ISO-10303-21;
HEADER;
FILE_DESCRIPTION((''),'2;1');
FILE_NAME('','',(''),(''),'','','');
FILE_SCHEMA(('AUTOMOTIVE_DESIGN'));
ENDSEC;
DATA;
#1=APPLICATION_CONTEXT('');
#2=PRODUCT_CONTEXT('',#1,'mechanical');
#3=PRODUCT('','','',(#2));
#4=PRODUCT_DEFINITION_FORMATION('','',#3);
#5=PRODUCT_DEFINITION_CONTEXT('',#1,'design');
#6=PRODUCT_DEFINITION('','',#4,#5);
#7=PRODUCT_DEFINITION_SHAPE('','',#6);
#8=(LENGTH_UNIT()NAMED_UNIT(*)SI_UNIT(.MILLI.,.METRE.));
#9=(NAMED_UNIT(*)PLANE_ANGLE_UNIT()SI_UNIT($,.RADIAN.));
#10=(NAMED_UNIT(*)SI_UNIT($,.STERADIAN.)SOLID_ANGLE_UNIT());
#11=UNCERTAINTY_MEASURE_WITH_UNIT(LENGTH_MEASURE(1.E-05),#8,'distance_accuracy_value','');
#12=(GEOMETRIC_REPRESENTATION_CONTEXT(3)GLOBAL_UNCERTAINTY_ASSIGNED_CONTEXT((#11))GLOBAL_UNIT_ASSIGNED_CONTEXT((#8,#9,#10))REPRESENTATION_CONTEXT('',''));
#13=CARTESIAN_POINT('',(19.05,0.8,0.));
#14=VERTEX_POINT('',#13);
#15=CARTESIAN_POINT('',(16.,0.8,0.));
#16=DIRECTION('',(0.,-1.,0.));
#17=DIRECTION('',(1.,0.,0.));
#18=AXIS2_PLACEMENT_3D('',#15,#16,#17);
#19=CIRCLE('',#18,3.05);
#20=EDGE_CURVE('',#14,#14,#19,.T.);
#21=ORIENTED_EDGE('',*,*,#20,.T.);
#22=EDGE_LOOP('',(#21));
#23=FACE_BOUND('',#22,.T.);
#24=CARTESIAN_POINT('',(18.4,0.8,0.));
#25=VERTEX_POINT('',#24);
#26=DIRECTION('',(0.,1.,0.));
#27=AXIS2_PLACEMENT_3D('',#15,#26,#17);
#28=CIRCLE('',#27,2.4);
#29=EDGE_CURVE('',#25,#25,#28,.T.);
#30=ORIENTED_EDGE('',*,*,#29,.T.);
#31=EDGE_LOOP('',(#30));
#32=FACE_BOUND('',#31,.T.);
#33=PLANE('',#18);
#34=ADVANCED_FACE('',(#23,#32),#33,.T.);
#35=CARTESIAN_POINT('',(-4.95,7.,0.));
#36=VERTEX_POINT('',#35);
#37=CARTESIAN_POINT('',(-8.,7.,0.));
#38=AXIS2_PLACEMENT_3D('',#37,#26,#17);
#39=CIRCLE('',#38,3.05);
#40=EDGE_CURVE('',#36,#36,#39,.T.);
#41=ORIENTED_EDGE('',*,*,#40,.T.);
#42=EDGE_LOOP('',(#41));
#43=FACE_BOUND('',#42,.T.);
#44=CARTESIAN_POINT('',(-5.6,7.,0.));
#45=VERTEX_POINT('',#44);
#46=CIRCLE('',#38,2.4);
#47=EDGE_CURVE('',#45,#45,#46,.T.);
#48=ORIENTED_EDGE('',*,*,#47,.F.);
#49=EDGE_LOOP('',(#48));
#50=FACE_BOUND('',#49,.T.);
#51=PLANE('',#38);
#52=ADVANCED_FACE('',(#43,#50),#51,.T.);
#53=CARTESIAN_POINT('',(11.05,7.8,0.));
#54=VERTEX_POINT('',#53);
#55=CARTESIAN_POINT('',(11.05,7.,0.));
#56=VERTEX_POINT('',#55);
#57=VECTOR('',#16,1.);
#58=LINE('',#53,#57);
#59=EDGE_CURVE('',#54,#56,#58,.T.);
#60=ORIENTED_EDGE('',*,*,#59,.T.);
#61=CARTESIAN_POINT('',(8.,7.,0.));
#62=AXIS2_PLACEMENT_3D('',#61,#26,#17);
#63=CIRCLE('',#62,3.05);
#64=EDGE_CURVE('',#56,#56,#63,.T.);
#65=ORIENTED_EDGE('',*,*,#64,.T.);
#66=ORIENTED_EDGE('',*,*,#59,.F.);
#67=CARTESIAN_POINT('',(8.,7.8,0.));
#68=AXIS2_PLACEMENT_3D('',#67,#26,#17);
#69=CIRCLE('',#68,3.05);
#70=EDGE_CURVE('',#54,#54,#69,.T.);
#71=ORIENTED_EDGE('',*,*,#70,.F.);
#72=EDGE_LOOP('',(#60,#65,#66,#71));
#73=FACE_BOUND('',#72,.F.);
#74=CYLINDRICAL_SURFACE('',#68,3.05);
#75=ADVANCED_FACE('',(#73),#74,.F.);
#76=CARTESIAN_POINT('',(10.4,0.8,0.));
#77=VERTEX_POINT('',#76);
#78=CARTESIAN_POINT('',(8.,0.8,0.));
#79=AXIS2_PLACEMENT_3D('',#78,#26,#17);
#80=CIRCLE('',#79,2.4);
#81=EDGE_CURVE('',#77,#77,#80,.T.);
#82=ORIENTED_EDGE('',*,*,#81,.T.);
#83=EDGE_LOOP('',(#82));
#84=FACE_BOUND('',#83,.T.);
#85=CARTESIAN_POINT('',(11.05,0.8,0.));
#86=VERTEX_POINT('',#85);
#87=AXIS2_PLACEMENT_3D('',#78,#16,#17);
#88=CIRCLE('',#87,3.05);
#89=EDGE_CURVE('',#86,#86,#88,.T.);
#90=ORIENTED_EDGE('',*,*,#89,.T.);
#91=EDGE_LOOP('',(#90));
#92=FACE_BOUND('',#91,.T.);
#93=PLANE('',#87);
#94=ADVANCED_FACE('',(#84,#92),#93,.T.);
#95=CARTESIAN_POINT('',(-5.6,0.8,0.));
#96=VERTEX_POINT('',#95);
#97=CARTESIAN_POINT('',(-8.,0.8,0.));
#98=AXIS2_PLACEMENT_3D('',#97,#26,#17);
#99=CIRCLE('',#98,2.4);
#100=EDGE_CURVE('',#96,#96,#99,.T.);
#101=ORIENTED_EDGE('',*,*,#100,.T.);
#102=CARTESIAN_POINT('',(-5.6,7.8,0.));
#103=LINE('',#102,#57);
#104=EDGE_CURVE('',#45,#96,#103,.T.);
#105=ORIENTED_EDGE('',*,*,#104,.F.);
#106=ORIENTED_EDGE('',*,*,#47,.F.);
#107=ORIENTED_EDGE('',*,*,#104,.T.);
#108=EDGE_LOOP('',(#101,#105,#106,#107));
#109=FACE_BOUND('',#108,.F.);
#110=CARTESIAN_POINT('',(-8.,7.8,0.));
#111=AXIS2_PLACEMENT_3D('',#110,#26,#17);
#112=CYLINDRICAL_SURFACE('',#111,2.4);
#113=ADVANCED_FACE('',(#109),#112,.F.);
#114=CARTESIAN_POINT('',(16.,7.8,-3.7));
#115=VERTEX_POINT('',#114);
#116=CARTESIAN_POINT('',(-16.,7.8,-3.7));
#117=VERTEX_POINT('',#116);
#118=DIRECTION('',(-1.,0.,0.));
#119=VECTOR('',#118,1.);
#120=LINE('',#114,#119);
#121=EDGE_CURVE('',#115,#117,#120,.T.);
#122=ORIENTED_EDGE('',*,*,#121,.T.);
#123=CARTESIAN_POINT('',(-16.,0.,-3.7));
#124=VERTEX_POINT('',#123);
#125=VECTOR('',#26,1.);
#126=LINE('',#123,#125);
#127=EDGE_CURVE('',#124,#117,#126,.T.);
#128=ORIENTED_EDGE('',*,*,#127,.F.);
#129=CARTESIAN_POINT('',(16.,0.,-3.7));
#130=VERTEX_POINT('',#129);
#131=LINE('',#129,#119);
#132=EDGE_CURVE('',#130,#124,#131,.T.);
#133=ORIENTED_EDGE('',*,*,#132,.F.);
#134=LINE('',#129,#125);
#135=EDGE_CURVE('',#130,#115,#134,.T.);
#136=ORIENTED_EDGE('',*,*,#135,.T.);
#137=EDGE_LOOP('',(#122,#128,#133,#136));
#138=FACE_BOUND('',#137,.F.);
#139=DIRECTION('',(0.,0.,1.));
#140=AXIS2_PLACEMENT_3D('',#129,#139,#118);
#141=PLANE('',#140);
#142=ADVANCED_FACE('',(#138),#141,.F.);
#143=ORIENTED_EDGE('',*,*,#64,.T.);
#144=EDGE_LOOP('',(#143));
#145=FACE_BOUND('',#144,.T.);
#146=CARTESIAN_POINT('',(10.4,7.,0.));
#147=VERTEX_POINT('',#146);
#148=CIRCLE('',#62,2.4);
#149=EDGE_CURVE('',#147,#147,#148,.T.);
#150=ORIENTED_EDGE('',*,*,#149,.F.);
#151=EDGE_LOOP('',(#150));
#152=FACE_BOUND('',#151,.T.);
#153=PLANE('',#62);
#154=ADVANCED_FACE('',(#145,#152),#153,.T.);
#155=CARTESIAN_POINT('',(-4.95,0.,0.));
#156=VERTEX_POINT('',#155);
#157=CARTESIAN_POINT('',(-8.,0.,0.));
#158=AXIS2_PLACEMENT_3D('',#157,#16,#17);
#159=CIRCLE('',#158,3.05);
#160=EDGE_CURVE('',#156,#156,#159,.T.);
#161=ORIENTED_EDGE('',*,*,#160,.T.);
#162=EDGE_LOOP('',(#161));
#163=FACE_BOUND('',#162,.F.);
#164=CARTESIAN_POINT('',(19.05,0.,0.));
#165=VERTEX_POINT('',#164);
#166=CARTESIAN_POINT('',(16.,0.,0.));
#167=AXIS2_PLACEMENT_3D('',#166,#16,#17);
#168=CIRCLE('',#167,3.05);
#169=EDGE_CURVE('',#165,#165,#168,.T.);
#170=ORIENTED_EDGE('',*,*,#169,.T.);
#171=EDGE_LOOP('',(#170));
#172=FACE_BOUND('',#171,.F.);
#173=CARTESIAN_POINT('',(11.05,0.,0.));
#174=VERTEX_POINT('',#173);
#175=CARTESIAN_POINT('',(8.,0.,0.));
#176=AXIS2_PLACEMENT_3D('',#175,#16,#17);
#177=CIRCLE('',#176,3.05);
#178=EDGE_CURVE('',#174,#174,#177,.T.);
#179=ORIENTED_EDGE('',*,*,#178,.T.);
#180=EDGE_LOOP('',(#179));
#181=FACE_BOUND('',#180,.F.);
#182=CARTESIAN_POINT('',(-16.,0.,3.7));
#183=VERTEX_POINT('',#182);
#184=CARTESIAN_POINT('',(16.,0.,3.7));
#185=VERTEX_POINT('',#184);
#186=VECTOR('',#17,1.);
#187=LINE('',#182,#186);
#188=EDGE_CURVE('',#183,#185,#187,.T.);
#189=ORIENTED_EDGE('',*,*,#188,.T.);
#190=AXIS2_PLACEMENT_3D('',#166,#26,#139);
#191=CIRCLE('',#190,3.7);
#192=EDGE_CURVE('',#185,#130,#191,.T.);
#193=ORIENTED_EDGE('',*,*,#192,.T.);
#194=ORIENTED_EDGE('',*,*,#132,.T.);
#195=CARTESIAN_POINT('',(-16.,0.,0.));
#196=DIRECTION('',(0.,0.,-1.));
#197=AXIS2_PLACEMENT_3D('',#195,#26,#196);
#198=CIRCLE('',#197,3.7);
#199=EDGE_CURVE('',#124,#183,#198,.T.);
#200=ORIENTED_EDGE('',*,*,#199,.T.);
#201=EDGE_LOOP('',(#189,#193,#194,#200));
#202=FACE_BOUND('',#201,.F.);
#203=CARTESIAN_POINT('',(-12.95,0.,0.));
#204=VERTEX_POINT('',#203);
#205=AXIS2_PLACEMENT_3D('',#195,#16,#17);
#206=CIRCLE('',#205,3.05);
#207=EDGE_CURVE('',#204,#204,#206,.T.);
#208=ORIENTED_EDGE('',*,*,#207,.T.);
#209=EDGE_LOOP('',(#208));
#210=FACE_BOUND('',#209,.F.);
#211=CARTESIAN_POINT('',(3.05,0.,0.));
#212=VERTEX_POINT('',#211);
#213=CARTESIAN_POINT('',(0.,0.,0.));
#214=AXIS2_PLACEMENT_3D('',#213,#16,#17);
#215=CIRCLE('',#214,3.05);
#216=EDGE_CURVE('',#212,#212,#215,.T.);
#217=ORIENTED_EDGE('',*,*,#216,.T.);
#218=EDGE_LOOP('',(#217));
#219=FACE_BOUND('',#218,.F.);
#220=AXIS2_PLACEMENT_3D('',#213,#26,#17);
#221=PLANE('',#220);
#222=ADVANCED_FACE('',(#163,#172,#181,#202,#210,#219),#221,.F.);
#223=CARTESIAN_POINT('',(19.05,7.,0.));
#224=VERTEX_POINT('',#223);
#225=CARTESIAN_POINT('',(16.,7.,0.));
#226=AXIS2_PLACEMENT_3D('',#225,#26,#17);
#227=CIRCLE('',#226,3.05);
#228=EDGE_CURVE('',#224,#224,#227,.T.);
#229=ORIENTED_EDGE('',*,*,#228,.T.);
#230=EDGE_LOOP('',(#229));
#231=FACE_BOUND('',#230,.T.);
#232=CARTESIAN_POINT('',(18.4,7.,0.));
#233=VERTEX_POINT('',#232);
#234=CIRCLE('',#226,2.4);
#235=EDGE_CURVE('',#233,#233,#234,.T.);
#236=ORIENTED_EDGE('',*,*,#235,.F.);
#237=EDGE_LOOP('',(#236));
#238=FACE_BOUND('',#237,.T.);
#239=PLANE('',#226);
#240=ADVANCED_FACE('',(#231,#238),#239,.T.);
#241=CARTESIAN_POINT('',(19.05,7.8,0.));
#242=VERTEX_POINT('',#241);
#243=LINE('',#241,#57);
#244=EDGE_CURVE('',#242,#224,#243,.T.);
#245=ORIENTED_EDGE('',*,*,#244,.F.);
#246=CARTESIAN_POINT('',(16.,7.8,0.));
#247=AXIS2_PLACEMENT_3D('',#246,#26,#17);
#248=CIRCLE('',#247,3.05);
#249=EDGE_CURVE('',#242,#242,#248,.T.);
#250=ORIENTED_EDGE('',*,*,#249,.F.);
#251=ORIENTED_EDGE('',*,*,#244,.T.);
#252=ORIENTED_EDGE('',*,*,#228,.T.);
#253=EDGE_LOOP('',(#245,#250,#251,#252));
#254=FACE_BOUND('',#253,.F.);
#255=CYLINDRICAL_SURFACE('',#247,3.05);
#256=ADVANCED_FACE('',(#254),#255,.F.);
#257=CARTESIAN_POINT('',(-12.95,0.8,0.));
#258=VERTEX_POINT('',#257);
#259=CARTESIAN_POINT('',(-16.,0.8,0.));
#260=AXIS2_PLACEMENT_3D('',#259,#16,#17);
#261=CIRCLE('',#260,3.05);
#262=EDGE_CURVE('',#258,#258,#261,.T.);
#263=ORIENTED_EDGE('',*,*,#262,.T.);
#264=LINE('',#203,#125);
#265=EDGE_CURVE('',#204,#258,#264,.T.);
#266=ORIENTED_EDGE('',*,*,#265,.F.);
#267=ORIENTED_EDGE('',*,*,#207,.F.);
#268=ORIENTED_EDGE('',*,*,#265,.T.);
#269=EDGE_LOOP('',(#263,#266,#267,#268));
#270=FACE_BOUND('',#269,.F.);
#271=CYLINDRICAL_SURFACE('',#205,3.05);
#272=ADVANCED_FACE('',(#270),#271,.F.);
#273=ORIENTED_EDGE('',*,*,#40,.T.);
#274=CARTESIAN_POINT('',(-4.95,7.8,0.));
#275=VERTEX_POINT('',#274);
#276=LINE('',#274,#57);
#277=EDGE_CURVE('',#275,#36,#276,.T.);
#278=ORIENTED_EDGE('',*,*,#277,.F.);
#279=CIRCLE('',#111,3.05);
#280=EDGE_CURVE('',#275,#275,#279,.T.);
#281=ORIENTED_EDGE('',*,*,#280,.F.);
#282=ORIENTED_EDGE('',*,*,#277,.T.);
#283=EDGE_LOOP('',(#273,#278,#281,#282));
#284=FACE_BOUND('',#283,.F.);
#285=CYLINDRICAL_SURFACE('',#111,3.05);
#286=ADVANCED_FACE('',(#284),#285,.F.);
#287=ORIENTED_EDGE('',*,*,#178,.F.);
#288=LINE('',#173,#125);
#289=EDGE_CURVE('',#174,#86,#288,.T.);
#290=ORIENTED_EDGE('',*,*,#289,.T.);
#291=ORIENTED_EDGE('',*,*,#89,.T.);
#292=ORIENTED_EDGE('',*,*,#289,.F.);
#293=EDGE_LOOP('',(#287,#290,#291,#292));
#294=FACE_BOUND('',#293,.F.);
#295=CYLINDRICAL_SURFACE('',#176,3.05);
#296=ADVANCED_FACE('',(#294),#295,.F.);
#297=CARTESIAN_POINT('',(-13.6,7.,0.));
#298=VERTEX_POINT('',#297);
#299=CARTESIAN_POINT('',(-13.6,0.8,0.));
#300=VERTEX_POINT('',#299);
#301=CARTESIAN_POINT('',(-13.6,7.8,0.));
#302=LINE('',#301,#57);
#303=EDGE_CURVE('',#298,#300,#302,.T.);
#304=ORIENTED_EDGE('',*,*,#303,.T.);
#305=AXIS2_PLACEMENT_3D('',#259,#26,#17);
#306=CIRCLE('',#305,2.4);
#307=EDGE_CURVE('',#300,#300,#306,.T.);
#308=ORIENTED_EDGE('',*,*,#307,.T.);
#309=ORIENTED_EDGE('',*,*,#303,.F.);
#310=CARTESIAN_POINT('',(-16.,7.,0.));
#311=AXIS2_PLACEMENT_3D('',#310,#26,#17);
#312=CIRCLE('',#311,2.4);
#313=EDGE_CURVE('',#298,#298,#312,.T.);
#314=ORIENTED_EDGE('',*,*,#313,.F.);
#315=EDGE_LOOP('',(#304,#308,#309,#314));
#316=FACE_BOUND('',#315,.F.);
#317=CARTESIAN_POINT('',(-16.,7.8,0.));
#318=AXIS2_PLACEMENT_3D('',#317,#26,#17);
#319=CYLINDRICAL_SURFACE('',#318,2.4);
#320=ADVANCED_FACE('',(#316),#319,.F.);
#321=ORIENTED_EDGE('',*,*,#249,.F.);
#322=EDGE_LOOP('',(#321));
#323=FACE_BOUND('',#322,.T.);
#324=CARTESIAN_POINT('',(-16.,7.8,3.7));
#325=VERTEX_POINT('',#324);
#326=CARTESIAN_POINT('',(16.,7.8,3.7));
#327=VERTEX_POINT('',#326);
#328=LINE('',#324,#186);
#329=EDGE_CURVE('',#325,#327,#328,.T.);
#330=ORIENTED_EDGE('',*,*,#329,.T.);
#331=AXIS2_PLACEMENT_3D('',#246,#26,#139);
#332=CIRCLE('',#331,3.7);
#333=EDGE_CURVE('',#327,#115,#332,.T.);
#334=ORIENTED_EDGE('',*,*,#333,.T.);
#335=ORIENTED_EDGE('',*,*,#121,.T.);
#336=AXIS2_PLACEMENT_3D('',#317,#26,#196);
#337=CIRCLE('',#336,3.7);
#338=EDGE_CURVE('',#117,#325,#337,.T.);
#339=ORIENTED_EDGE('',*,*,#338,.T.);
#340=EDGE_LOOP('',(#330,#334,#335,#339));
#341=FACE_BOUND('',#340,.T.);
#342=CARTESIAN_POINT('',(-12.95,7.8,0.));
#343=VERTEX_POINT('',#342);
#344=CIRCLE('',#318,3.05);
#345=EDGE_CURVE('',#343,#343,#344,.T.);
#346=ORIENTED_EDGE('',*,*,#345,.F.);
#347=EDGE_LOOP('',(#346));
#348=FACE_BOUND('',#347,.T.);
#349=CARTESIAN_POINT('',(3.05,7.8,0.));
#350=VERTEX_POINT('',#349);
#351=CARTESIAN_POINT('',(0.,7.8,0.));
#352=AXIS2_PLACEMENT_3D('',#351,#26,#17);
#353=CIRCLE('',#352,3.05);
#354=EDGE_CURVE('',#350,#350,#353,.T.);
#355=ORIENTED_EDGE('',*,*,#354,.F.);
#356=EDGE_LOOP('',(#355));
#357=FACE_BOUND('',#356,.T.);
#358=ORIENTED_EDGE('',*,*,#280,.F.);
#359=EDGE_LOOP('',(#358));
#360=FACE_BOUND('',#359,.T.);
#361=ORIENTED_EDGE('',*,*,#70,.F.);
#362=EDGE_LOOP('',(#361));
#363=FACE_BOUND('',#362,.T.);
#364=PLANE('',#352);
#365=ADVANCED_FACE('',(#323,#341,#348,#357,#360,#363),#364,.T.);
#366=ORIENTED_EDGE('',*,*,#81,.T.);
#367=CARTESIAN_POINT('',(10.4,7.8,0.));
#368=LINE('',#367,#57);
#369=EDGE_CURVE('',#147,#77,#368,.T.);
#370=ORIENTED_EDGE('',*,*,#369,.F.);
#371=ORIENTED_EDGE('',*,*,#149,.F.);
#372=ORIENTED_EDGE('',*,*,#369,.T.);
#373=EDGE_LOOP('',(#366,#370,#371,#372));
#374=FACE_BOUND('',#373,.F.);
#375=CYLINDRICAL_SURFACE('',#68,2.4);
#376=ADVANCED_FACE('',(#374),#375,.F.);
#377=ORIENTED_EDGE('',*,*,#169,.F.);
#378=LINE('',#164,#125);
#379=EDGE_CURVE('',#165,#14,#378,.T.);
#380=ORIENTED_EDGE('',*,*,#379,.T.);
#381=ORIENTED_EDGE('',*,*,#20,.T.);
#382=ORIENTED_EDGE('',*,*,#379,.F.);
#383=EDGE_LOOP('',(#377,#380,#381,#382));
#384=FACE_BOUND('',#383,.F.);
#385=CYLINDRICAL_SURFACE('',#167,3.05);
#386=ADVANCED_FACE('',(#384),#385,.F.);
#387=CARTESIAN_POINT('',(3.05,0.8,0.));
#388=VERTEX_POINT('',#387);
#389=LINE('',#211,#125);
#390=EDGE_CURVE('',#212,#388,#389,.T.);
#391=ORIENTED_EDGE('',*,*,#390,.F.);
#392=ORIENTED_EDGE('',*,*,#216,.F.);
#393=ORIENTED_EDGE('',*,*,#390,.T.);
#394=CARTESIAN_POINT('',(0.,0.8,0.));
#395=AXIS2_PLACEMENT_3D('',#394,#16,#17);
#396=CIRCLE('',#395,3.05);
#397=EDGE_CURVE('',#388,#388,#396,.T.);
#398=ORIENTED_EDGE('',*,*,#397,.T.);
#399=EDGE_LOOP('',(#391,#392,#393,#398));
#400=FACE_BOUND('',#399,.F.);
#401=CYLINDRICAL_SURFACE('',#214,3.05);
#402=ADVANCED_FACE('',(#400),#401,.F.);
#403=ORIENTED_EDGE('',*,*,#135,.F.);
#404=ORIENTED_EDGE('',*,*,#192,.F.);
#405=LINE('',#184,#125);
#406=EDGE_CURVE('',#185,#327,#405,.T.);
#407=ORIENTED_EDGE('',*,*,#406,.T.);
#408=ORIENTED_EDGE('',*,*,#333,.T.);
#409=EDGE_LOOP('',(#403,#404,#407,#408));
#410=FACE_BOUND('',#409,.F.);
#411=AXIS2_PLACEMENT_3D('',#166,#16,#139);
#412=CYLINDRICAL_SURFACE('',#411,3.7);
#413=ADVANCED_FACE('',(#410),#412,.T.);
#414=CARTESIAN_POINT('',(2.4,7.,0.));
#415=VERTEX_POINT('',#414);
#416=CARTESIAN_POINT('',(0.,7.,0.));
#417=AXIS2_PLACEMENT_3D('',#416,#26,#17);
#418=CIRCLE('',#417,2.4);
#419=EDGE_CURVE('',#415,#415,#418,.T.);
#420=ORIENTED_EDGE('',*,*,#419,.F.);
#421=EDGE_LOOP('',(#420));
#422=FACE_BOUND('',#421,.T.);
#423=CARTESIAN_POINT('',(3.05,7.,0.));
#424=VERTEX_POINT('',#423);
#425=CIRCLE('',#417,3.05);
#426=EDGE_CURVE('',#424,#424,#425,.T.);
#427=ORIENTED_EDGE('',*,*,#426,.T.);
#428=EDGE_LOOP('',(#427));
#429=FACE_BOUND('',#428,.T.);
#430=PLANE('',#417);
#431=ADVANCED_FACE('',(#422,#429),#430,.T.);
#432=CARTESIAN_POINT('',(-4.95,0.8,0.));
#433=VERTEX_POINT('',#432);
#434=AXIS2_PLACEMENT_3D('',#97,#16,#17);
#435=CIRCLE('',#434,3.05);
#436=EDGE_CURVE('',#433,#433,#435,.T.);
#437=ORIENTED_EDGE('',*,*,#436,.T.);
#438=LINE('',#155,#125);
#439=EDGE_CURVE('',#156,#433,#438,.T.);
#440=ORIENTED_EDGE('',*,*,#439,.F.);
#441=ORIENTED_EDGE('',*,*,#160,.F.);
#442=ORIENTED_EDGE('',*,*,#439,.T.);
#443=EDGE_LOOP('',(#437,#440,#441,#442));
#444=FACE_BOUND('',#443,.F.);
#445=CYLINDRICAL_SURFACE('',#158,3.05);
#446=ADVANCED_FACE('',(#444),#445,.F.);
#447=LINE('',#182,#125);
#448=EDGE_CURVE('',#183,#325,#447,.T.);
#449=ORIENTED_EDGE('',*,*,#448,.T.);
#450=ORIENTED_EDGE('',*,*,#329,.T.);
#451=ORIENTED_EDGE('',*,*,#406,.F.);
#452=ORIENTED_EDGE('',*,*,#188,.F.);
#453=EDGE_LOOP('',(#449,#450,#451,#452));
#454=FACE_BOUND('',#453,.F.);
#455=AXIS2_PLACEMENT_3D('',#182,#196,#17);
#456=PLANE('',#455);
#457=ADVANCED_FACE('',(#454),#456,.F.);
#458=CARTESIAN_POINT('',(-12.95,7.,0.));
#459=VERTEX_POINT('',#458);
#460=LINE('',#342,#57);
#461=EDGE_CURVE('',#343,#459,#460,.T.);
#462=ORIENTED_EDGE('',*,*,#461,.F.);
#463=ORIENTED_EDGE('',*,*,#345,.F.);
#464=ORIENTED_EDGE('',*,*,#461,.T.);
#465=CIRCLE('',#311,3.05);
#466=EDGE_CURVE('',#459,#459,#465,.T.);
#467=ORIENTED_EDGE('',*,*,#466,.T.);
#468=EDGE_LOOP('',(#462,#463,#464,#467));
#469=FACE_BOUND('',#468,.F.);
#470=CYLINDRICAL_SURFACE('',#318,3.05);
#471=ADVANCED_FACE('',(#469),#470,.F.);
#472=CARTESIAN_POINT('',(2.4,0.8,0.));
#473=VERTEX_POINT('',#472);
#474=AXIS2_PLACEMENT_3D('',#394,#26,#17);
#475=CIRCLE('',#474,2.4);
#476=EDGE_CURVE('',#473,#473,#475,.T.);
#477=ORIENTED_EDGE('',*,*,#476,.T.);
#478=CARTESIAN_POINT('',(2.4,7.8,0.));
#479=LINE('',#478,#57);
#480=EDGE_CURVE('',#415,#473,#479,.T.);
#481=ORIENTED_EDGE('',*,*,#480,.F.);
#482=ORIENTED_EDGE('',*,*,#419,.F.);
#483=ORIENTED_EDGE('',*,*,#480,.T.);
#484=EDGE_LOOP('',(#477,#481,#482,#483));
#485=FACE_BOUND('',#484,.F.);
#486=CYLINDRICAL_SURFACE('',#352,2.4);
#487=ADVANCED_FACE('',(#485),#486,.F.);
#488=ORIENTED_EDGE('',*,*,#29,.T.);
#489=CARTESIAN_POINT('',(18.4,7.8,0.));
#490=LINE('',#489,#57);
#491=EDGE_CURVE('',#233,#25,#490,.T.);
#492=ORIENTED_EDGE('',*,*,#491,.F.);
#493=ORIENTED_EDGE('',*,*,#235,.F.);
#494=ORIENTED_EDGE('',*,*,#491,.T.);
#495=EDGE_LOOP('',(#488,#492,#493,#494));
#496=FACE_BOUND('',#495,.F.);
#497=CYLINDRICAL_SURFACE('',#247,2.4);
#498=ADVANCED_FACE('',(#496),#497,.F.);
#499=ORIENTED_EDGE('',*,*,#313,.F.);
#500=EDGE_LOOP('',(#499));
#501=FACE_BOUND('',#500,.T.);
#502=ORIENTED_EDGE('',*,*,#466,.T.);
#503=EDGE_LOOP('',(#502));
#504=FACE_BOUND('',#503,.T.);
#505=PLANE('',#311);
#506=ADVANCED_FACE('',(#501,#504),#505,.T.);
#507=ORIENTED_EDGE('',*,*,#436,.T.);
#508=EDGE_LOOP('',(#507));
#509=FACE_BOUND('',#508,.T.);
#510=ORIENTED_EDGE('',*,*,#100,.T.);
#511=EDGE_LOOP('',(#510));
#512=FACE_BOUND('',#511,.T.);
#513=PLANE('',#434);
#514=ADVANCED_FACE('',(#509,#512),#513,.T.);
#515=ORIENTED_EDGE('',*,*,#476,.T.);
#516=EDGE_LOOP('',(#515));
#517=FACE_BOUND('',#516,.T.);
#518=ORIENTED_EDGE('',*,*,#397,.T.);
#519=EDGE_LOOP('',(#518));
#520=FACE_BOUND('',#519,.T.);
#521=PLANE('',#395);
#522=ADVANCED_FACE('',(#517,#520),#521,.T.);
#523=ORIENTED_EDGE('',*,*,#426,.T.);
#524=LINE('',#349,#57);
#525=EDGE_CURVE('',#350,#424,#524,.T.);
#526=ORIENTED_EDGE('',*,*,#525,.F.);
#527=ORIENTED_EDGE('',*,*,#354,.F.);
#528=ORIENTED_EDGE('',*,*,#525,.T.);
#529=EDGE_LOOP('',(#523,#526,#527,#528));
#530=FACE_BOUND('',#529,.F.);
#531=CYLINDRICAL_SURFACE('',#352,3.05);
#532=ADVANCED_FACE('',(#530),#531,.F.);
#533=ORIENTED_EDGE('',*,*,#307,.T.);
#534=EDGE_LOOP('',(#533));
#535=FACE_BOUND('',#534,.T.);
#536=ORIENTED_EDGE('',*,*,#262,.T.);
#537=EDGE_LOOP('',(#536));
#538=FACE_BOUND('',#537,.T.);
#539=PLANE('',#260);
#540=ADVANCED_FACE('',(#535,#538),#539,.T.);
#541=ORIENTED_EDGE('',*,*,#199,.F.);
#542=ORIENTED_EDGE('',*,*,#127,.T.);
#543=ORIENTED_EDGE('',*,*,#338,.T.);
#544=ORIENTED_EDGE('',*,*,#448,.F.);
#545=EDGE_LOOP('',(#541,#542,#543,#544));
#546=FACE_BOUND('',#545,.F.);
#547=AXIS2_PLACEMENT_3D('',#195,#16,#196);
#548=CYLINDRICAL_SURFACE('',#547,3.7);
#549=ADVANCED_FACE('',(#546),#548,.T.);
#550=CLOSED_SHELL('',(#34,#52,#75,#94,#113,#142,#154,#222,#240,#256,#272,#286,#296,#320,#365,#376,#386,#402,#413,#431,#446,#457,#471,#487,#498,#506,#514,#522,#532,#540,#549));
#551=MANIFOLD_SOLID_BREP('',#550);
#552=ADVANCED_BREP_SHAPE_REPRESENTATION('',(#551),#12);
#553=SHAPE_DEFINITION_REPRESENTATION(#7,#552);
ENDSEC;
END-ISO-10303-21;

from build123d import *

# Parameters (mm, degrees)
BOSS_EXTRUDE3_DEPTH = 7.8
SKETCH2_R           = 2.4
CUT_EXTRUDE6_DEPTH  = 7.8
SKETCH3_R           = 3.05
CUT_EXTRUDE7_DEPTH  = 0.8
SKETCH4_R           = 3.05
CUT_EXTRUDE8_DEPTH  = 0.8


with BuildPart() as part:
    # Sketch1 → Boss-Extrude3 (new body)
    with BuildSketch(Plane(origin=(0, 0, 0), x_dir=(1, 0, 0), z_dir=(0, 1, 0))):
        with BuildLine():
            Line((-16, -3.7), (16, -3.7))
            ThreePointArc((16, -3.7), (19.7, 0), (16, 3.7))
            Line((16, 3.7), (-16, 3.7))
            ThreePointArc((-16, 3.7), (-19.7, 0), (-16, -3.7))
        make_face()
    extrude(amount=BOSS_EXTRUDE3_DEPTH)

    # Sketch2 → Cut-Extrude6 (cut)
    with BuildSketch(Plane(origin=(0, 7.8, 0), x_dir=(1, 0, 0), z_dir=(0, 1, 0))):
        Circle(SKETCH2_R)
        with Locations((8, 0)):
            Circle(SKETCH2_R)
        with Locations((16, 0)):
            Circle(SKETCH2_R)
        with Locations((-16, 0)):
            Circle(SKETCH2_R)
        with Locations((-8, 0)):
            Circle(SKETCH2_R)
    extrude(amount=-CUT_EXTRUDE6_DEPTH, mode=Mode.SUBTRACT)

    # Sketch3 → Cut-Extrude7 (cut)
    with BuildSketch(Plane(origin=(0, 7.8, 0), x_dir=(1, 0, 0), z_dir=(0, 1, 0))):
        Circle(SKETCH3_R)
        with Locations((8, 0)):
            Circle(SKETCH3_R)
        with Locations((16, 0)):
            Circle(SKETCH3_R)
        with Locations((-16, 0)):
            Circle(SKETCH3_R)
        with Locations((-8, 0)):
            Circle(SKETCH3_R)
    extrude(amount=-CUT_EXTRUDE7_DEPTH, mode=Mode.SUBTRACT)

    # Sketch4 → Cut-Extrude8 (cut)
    with BuildSketch(Plane.XZ):
        Circle(SKETCH4_R)
        with Locations((8, 0)):
            Circle(SKETCH4_R)
        with Locations((16, 0)):
            Circle(SKETCH4_R)
        with Locations((-16, 0)):
            Circle(SKETCH4_R)
        with Locations((-8, 0)):
            Circle(SKETCH4_R)
    extrude(amount=-CUT_EXTRUDE8_DEPTH, mode=Mode.SUBTRACT)


solid = part.part
